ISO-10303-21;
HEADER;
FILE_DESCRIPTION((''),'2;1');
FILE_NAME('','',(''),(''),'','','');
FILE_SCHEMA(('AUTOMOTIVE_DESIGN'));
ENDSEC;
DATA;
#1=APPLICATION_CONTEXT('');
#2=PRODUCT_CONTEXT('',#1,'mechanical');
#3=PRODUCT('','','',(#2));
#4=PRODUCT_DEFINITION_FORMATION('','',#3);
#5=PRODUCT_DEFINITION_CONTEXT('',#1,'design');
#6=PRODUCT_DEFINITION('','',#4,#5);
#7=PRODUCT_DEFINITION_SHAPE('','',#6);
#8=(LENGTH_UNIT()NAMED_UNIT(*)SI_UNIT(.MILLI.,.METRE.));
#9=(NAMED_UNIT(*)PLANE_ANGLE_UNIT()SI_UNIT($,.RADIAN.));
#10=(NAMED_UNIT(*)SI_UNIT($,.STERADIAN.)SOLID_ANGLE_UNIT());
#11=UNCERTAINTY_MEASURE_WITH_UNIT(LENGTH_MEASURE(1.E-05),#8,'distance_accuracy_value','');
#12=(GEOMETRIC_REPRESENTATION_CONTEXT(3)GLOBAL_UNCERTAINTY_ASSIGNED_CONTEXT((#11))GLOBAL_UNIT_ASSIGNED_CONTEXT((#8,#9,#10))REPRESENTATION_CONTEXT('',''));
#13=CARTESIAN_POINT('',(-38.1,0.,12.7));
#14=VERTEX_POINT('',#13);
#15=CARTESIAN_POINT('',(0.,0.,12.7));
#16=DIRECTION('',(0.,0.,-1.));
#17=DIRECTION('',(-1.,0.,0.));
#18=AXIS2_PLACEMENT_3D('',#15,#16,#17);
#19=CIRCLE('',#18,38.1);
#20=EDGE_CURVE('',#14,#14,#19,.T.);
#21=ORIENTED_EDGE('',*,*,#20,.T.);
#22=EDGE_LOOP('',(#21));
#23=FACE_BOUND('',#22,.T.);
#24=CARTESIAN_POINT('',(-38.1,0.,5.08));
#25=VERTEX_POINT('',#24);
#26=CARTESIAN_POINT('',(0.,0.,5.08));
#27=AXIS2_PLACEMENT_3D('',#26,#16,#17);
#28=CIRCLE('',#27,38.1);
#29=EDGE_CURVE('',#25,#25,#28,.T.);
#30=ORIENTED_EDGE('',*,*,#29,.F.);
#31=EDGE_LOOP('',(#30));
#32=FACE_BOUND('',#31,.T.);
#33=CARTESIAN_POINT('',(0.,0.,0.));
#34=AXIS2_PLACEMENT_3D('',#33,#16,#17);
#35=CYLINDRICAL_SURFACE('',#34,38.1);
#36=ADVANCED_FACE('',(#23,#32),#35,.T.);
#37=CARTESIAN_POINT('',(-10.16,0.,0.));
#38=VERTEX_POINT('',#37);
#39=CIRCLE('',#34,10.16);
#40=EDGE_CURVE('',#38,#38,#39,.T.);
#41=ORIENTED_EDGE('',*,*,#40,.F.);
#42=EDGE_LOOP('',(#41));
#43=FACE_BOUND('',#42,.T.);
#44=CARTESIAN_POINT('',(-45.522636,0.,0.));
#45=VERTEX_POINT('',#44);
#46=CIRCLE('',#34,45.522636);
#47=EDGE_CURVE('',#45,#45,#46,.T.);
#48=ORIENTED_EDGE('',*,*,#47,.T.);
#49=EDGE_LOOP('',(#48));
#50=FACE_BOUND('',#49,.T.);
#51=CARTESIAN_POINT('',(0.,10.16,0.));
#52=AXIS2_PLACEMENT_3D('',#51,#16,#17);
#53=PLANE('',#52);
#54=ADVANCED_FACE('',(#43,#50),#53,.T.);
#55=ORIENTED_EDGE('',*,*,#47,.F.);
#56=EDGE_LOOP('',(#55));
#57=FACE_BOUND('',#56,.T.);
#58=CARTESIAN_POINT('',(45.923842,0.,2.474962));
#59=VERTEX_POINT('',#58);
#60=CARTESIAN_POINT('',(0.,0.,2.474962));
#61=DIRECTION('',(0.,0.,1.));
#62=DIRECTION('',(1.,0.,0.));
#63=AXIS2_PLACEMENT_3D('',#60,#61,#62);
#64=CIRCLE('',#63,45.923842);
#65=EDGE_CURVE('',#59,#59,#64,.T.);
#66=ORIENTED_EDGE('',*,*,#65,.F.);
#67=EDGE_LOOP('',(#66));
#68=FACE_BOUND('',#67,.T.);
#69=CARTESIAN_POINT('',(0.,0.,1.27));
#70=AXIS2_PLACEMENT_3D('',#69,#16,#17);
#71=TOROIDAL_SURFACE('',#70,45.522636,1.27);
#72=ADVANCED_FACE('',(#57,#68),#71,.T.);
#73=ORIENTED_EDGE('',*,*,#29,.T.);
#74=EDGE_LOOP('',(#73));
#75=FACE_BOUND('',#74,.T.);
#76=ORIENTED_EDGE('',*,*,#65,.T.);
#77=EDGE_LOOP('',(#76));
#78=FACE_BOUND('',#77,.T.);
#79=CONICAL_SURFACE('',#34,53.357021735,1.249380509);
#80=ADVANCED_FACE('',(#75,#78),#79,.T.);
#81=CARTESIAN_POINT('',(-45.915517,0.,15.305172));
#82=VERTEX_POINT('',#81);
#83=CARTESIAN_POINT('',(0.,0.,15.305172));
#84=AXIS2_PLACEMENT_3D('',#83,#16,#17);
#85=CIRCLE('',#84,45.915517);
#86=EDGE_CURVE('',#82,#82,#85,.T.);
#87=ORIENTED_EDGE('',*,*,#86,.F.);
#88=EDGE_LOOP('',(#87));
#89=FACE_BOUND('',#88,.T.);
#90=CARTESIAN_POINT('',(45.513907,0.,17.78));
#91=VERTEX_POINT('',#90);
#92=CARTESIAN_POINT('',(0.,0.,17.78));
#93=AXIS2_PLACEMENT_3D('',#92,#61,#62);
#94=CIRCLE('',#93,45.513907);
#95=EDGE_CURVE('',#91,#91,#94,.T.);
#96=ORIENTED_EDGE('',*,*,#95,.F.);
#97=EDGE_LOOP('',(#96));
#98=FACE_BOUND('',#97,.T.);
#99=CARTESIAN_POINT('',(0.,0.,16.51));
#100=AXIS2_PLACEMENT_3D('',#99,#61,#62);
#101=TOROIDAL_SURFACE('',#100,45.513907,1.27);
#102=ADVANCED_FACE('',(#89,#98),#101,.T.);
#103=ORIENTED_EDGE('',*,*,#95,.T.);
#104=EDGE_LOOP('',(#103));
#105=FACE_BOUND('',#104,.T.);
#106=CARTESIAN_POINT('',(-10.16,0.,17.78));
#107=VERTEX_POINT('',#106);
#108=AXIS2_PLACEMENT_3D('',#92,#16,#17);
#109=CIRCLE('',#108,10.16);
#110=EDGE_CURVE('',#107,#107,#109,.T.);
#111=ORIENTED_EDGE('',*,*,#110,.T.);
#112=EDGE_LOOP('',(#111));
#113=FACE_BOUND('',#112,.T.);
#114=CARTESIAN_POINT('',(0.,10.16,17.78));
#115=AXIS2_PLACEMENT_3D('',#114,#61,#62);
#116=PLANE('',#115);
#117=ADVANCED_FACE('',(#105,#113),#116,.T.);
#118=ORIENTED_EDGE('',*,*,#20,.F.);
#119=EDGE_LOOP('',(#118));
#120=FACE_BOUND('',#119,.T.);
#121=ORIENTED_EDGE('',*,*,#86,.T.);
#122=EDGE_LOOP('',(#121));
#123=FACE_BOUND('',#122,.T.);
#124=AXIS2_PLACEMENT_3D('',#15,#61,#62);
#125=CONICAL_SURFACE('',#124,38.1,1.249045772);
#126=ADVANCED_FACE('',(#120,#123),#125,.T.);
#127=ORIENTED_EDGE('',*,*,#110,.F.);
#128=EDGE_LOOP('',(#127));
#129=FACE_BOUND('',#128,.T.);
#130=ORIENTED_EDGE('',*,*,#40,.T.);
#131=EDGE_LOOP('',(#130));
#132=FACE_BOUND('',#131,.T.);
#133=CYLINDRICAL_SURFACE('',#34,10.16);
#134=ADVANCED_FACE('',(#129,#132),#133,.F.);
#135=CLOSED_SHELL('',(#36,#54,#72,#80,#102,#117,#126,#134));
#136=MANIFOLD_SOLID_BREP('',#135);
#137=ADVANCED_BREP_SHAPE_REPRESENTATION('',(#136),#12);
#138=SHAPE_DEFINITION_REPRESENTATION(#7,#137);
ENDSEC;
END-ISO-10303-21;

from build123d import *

# Parameters (mm, degrees)
FILLET2_R = 1.27


with BuildPart() as part:
    # Sketch1 → Revolve1 (revolve)
    with BuildSketch(Plane.YZ, mode=Mode.PRIVATE) as revolve1_sk:
        Polygon((10.16, 0), (10.16, 17.78), (53.34, 17.78), (38.1, 12.7), (38.1, 5.08), (53.357021735, 0), align=None)
    revolve(revolve1_sk.sketch.rotate(Axis((0, 0, 0), (0, 0, 1)), 90), axis=Axis((0, 0, 0), (0, 0, 1)))

    # Fillet2
    fillet2_edges = [part.edges().sort_by_distance(p)[0] for p in [
        (53.34, 0, 17.78),
        (53.357021735, 0, 0),
    ]]
    fillet(fillet2_edges, radius=FILLET2_R)


solid = part.part
